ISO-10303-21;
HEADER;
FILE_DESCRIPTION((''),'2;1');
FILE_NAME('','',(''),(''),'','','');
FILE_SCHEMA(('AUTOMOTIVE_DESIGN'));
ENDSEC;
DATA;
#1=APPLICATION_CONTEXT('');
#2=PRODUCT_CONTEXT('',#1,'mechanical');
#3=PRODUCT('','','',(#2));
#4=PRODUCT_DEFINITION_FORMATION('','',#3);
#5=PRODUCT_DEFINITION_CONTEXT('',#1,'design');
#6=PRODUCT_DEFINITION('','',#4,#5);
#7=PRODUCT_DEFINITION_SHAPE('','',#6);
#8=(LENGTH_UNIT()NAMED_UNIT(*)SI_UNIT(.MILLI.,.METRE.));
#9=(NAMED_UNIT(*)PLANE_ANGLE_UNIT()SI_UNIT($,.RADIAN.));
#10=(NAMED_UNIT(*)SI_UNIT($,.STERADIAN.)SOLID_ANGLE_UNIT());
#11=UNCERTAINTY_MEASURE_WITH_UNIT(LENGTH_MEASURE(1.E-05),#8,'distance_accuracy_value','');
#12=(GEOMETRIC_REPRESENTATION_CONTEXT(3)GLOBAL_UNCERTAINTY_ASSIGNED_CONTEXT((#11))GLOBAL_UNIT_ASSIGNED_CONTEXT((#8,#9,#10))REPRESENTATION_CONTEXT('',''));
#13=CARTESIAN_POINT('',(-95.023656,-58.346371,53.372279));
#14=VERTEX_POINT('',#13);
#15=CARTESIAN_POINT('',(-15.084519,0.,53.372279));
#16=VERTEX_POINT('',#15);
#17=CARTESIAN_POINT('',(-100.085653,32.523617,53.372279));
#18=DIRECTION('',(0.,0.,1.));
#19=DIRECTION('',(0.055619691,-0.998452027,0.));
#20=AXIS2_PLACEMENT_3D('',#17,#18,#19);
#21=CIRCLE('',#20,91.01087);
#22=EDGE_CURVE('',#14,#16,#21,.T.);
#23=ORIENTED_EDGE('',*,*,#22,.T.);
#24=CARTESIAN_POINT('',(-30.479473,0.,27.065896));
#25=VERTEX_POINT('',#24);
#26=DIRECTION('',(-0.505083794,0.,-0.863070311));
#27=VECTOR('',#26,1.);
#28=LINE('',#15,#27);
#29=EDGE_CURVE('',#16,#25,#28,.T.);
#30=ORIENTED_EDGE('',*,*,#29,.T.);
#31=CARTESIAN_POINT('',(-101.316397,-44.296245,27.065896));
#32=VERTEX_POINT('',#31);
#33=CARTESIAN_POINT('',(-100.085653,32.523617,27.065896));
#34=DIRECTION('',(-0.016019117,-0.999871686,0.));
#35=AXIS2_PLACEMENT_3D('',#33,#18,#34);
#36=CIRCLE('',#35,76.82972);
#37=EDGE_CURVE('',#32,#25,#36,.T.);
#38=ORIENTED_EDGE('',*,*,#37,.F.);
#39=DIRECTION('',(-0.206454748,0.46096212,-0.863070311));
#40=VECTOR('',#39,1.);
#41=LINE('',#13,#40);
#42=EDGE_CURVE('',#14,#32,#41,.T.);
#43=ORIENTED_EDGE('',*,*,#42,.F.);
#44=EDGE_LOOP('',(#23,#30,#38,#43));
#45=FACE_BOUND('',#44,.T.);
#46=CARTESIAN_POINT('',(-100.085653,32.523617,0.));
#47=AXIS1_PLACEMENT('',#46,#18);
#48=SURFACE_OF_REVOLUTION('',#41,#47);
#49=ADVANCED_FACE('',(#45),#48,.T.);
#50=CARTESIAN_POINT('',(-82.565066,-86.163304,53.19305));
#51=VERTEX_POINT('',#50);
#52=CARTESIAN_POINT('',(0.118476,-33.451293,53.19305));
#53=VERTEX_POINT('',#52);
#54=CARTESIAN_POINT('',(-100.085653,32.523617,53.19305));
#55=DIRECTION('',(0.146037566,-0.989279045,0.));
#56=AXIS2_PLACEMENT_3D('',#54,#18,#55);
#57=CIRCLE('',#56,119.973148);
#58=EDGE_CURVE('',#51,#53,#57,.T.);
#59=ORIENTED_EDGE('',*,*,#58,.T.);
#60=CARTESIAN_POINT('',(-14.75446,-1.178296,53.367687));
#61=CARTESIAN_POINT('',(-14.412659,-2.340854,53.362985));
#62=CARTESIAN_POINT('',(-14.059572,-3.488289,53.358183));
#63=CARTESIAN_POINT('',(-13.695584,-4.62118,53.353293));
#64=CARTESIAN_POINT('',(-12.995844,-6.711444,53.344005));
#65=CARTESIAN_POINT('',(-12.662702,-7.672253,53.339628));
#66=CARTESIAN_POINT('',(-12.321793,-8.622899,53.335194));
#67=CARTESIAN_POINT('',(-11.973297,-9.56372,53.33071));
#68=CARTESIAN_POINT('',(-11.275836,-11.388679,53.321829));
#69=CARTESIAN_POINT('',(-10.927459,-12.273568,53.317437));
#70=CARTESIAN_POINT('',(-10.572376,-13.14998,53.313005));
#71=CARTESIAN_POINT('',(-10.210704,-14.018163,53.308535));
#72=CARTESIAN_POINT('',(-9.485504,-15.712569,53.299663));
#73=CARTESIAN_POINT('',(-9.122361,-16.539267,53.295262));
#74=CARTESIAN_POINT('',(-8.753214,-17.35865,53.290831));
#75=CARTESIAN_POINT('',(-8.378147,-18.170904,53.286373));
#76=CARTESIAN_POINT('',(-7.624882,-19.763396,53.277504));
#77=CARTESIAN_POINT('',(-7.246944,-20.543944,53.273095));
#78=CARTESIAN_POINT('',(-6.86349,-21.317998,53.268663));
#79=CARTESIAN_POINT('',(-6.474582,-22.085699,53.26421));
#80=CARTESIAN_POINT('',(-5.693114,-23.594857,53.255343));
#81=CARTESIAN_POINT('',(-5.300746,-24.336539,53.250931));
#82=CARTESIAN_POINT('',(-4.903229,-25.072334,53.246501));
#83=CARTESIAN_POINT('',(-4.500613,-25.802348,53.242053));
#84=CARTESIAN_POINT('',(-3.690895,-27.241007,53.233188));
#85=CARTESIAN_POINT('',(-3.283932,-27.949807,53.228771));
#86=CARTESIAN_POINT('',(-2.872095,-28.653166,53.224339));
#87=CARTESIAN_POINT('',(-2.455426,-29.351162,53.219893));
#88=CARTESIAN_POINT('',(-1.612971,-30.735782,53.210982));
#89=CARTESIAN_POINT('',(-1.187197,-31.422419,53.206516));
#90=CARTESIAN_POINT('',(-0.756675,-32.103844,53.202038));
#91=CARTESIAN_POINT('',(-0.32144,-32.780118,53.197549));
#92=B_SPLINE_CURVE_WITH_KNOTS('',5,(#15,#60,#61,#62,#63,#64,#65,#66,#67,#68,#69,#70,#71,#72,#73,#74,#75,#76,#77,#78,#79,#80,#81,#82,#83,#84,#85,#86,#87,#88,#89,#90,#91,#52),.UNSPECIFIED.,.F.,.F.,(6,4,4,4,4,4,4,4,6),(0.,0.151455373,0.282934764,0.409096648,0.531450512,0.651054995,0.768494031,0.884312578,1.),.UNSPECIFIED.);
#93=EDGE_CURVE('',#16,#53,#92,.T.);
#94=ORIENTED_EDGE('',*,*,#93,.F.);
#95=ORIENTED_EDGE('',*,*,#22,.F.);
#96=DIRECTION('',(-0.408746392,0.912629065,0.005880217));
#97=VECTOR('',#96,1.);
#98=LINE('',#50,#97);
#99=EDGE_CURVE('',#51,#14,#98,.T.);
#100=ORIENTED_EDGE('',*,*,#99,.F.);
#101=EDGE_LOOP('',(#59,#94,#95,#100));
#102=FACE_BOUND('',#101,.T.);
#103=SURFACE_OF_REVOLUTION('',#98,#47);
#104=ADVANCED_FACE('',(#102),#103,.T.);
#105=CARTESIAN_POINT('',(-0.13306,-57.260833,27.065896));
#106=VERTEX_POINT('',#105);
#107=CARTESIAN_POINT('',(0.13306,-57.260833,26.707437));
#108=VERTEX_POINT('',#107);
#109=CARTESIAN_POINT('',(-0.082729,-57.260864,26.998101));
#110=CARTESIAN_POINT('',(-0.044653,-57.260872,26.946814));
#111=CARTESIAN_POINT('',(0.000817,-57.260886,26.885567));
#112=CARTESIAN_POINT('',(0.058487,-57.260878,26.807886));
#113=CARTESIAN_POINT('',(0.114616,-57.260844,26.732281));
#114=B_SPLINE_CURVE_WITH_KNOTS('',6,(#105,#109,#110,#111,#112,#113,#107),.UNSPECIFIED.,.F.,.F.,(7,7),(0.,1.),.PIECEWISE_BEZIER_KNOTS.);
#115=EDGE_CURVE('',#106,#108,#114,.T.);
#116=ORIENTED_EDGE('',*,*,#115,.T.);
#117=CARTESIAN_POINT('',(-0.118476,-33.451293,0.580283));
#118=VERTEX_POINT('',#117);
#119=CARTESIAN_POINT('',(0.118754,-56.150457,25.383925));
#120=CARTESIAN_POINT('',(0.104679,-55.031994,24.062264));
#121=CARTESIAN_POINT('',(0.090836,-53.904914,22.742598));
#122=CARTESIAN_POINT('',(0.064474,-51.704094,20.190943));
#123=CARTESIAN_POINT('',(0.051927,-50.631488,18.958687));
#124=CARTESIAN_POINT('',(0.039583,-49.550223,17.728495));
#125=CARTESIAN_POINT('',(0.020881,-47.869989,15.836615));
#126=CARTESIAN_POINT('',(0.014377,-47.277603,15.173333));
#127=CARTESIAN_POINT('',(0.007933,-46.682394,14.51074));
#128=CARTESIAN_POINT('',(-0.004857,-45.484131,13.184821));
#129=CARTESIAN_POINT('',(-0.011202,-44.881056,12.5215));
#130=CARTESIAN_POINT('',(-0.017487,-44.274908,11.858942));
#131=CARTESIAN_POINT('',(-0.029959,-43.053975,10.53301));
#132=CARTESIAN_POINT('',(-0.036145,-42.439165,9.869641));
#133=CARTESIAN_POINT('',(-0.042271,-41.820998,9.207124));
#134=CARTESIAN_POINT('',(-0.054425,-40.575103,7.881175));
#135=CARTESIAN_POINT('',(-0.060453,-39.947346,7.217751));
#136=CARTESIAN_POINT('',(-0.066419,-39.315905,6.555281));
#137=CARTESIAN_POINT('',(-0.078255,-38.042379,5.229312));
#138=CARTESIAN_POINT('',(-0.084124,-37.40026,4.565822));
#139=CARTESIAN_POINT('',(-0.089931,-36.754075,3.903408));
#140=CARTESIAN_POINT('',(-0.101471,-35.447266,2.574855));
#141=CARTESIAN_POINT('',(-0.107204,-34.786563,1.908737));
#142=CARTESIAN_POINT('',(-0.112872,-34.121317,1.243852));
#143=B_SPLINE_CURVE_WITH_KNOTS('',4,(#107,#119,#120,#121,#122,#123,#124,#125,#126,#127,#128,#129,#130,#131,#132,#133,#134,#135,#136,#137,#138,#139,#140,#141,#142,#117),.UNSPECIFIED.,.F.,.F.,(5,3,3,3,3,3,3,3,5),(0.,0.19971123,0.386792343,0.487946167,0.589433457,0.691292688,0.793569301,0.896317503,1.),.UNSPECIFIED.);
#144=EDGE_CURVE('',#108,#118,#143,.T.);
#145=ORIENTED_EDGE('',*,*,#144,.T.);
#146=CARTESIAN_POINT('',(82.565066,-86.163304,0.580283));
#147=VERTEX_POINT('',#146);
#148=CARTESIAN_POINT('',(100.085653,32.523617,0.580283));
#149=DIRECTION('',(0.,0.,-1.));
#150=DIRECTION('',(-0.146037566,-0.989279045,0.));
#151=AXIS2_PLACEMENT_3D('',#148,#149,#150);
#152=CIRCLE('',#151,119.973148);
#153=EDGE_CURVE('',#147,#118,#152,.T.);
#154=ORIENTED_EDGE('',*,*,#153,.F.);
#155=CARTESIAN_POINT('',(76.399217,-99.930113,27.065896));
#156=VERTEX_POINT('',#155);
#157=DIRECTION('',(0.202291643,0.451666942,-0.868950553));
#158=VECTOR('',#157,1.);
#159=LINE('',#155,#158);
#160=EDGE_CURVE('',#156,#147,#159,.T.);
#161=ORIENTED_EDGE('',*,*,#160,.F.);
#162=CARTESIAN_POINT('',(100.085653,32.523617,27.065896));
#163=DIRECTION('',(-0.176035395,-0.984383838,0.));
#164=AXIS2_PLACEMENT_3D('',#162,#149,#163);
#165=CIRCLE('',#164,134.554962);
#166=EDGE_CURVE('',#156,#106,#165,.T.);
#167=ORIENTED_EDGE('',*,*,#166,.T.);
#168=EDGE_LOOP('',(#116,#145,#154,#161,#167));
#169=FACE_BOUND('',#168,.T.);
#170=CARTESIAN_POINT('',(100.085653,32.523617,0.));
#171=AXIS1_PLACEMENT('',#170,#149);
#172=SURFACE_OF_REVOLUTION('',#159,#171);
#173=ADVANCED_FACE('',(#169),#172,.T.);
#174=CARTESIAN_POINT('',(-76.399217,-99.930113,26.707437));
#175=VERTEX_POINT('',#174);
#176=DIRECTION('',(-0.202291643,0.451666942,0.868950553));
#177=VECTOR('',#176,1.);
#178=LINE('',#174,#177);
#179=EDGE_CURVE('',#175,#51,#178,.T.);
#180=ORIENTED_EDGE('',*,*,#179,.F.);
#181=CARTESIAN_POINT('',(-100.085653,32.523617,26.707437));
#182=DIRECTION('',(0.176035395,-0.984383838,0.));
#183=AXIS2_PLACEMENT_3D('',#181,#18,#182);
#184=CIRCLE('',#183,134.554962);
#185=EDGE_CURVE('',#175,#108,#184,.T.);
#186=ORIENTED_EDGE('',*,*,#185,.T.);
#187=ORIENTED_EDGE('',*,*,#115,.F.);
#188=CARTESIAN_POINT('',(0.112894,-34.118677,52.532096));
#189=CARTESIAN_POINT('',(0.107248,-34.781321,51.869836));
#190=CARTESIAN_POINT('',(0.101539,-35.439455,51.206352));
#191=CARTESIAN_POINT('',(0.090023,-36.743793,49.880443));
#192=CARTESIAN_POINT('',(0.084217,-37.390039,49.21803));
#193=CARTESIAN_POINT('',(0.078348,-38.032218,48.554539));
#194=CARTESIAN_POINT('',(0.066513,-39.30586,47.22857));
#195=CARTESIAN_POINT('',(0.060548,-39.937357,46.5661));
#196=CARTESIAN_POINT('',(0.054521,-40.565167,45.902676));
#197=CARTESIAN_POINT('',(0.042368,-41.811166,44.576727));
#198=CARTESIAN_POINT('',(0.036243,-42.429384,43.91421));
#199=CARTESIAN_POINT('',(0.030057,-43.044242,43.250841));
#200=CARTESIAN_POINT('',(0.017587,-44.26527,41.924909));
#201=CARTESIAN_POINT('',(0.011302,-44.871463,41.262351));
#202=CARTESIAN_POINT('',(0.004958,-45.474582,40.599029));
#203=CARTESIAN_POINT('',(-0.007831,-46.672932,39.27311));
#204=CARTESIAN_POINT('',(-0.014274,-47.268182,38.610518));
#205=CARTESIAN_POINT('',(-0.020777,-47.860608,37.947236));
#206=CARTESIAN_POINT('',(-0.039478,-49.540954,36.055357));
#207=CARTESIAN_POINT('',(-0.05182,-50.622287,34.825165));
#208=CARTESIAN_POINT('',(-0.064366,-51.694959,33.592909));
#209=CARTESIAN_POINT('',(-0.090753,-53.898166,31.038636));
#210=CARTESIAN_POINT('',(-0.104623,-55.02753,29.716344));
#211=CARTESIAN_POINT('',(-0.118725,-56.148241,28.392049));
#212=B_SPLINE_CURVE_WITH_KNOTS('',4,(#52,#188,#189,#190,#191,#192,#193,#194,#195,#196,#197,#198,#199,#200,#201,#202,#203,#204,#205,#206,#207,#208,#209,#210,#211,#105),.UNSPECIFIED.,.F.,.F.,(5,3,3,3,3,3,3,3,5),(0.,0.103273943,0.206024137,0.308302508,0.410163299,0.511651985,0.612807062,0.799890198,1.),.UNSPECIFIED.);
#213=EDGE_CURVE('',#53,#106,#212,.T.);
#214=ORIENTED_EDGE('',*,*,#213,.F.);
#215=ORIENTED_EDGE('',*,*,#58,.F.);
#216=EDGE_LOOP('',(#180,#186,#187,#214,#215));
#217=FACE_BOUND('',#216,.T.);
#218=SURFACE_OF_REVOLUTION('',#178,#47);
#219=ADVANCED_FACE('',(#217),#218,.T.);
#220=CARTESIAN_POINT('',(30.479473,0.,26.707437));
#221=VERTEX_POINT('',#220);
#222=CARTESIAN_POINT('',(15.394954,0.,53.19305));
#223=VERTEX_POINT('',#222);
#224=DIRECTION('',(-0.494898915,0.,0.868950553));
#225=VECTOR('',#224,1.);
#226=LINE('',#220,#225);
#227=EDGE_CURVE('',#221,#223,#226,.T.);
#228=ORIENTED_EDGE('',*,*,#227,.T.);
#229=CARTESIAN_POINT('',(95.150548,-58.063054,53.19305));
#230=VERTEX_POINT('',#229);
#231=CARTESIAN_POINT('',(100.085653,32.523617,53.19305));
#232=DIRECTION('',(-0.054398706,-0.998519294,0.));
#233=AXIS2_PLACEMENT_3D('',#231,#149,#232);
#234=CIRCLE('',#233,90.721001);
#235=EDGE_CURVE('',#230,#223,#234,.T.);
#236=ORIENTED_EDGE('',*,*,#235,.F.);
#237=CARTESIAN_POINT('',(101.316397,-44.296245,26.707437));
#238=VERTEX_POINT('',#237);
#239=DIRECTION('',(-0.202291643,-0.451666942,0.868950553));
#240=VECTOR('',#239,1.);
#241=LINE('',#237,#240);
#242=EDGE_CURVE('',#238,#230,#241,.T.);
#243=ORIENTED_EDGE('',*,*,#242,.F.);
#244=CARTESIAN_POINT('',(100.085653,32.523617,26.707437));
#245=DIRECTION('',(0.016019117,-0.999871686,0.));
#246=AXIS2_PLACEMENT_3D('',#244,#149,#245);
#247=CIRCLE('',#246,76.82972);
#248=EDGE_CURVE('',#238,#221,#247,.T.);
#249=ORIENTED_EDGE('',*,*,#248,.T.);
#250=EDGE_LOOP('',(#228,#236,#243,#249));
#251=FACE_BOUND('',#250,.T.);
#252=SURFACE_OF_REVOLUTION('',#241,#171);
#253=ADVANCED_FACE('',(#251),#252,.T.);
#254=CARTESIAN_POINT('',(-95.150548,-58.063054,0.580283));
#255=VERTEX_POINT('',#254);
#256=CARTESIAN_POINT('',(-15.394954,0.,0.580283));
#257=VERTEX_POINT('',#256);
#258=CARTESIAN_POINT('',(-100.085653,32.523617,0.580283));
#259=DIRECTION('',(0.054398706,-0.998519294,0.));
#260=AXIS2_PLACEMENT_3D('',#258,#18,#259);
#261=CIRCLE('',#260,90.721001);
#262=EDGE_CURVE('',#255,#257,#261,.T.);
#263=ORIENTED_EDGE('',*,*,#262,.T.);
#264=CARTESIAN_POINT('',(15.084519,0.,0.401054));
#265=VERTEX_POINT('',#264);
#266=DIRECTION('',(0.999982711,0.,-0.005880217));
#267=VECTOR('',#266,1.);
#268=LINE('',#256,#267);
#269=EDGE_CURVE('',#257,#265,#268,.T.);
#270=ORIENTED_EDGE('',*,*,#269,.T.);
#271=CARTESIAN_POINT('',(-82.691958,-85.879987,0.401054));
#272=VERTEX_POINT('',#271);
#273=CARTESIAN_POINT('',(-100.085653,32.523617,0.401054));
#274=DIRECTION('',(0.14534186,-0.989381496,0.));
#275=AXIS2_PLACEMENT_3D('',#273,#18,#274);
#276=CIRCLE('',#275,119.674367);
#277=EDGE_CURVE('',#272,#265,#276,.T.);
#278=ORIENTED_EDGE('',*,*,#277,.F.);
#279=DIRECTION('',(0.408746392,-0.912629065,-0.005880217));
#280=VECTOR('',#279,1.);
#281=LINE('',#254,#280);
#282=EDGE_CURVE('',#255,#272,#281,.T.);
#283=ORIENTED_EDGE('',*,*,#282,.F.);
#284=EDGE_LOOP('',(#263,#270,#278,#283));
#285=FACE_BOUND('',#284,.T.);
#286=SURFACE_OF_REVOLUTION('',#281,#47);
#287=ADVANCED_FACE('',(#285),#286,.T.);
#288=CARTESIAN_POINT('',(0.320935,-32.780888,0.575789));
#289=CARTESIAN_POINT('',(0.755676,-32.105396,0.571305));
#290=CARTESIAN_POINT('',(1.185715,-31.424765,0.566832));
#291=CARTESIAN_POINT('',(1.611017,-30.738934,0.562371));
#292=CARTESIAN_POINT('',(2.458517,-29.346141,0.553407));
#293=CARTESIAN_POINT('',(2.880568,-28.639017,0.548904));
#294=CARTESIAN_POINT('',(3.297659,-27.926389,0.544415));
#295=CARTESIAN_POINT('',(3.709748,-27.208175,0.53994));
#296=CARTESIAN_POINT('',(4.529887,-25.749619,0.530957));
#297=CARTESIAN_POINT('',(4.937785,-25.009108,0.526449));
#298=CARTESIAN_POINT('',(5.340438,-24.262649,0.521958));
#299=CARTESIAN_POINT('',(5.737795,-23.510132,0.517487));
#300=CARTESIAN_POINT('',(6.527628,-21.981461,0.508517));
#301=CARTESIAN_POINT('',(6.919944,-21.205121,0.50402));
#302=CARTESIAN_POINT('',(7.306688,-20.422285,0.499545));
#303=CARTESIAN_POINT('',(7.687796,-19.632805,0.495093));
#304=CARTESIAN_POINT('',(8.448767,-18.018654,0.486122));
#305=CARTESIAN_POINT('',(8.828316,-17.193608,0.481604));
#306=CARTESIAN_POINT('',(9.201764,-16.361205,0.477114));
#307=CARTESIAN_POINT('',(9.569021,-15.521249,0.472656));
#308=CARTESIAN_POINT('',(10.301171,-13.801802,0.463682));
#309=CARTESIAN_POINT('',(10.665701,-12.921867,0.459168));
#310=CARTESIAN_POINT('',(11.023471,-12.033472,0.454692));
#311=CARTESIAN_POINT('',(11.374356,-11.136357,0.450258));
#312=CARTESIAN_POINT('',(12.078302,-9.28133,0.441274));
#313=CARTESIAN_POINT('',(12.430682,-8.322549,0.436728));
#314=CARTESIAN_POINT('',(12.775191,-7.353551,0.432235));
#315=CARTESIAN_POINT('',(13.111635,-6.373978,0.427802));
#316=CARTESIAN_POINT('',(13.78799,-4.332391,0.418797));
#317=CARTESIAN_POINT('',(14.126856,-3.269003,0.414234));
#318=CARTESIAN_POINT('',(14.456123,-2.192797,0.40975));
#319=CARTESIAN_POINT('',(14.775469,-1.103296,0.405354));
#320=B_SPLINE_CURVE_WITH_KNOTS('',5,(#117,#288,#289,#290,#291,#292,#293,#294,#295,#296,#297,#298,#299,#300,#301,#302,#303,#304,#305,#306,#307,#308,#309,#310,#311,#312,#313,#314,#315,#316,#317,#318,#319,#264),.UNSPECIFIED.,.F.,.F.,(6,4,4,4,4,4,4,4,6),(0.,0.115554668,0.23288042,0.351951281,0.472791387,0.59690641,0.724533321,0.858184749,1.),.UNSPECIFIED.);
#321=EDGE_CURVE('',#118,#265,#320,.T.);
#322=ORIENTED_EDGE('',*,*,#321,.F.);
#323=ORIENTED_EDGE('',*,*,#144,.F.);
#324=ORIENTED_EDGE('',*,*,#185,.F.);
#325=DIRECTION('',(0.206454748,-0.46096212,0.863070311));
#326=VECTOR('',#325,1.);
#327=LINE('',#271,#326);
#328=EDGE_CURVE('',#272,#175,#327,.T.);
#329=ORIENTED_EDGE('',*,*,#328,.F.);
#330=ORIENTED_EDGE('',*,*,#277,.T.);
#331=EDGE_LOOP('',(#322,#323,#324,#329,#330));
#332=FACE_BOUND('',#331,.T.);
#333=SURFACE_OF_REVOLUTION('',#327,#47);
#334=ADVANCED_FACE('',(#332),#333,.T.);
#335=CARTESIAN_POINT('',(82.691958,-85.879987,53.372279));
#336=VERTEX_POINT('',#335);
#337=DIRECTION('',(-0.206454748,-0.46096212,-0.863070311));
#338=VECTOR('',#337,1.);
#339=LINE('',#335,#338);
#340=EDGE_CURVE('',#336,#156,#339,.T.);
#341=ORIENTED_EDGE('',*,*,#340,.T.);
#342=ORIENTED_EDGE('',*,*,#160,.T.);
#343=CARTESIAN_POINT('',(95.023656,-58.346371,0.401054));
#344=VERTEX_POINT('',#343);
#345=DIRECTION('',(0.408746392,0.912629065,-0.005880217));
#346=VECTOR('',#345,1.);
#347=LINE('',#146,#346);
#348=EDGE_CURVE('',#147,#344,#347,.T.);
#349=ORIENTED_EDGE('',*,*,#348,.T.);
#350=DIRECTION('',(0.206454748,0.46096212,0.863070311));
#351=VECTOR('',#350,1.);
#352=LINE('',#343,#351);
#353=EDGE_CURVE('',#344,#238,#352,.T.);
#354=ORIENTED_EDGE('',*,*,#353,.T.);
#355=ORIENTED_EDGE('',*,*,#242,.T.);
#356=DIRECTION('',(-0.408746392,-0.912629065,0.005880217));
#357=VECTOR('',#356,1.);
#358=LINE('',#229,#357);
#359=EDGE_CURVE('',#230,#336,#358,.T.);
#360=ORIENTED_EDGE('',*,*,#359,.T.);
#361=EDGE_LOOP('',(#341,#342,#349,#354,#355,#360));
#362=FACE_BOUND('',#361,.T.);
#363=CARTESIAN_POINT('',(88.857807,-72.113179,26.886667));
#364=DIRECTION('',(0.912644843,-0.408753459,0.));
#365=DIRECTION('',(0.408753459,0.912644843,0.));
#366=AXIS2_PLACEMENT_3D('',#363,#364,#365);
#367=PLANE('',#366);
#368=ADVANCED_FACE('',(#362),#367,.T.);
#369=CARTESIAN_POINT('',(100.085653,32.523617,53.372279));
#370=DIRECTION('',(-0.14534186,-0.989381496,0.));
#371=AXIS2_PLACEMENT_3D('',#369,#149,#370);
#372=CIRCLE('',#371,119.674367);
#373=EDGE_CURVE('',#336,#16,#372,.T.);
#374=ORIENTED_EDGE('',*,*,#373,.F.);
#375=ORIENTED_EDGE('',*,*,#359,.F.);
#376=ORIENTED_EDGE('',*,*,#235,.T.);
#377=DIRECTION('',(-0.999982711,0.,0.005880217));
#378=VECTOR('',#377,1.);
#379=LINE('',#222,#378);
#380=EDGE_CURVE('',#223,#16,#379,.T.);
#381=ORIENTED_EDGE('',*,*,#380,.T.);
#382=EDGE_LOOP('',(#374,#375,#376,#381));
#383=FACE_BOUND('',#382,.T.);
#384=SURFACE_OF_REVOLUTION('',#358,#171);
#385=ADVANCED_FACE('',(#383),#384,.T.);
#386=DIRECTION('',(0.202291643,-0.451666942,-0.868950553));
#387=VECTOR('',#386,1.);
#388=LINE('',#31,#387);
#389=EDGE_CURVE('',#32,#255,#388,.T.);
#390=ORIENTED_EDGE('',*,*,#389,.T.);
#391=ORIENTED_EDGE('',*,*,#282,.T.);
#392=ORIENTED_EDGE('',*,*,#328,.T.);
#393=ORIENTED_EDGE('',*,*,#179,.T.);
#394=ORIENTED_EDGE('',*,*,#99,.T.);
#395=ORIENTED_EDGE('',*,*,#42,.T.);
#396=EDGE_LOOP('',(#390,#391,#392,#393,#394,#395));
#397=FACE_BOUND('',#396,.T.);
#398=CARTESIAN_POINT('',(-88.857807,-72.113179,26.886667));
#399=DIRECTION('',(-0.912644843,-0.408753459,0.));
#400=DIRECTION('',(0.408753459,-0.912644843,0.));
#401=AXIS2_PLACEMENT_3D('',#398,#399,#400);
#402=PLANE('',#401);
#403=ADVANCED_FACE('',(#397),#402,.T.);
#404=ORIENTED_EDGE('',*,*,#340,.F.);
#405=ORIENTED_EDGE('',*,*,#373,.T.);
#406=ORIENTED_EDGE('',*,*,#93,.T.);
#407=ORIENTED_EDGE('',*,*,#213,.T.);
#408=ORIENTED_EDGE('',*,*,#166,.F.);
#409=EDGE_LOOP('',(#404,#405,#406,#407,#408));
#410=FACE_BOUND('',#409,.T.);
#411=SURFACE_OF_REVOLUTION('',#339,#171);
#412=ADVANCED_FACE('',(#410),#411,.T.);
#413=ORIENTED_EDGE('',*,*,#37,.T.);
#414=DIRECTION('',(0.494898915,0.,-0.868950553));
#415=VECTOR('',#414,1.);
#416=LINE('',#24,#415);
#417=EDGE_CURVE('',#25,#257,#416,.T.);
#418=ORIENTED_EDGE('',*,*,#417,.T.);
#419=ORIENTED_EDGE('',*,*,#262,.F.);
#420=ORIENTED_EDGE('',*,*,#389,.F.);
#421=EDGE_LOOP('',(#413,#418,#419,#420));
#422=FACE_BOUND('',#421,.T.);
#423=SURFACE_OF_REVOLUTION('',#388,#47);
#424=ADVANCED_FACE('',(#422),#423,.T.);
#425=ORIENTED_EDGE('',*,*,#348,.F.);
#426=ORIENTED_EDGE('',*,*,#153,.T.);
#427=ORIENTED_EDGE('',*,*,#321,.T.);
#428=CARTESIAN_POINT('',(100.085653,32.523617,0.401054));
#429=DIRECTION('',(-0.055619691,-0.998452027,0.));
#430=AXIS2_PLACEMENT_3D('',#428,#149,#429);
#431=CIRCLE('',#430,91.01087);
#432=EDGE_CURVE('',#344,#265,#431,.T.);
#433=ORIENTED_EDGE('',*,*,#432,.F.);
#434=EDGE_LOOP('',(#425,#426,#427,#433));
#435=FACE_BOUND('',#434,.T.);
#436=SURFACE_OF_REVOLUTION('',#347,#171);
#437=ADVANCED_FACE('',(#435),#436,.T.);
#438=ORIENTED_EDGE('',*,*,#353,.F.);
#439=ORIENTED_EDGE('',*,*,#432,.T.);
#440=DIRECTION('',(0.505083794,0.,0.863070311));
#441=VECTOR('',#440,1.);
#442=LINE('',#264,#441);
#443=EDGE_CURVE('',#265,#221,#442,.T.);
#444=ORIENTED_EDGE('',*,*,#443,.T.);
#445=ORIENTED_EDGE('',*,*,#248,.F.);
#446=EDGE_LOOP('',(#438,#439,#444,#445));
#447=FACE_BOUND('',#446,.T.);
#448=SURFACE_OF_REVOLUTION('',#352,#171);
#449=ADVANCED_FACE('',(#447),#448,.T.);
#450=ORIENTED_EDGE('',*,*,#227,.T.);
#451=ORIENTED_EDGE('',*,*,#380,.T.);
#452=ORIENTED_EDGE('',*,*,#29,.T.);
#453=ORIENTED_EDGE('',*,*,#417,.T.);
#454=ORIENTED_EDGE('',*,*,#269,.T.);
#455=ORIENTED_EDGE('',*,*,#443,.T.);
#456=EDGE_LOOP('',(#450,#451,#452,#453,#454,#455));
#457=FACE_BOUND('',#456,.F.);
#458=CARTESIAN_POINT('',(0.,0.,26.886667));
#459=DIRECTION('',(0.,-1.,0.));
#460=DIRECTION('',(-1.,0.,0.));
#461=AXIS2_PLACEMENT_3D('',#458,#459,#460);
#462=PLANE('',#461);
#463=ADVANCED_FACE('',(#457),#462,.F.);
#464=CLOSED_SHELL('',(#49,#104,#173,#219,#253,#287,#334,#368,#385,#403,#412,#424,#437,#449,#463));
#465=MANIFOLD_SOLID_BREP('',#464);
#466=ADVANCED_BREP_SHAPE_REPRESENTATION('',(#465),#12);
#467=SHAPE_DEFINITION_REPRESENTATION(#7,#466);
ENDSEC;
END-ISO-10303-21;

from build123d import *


with BuildPart() as f2:
    # F2: sweep along a path in F1
    with BuildLine(Plane.XY) as f2_path:
        ThreePointArc((88.857807, -72.113179), (33.770109, -49.190349), (0, 0))
    # F0 (on Front) → F2 (sweep)
    with BuildSketch(Plane.XZ):
        Polygon((-30.479473, 27.065896), (-15.394954, 0.580283), (15.084519, 0.401054), (30.479473, 26.707437), (15.394954, 53.19305), (-15.084519, 53.372279), align=None)
    sweep(path=f2_path.line)

    # F3: sweep along a path in F1
    with BuildLine(Plane.XY) as f3_path:
        ThreePointArc((-88.857807, -72.113179), (-33.770109, -49.190349), (0, 0))
    # F0 (on Front) → F3 (sweep)
    with BuildSketch(Plane.XZ):
        Polygon((-30.479473, 27.065896), (-15.394954, 0.580283), (15.084519, 0.401054), (30.479473, 26.707437), (15.394954, 53.19305), (-15.084519, 53.372279), align=None)
    sweep(path=f3_path.line)


solid = f2.part
